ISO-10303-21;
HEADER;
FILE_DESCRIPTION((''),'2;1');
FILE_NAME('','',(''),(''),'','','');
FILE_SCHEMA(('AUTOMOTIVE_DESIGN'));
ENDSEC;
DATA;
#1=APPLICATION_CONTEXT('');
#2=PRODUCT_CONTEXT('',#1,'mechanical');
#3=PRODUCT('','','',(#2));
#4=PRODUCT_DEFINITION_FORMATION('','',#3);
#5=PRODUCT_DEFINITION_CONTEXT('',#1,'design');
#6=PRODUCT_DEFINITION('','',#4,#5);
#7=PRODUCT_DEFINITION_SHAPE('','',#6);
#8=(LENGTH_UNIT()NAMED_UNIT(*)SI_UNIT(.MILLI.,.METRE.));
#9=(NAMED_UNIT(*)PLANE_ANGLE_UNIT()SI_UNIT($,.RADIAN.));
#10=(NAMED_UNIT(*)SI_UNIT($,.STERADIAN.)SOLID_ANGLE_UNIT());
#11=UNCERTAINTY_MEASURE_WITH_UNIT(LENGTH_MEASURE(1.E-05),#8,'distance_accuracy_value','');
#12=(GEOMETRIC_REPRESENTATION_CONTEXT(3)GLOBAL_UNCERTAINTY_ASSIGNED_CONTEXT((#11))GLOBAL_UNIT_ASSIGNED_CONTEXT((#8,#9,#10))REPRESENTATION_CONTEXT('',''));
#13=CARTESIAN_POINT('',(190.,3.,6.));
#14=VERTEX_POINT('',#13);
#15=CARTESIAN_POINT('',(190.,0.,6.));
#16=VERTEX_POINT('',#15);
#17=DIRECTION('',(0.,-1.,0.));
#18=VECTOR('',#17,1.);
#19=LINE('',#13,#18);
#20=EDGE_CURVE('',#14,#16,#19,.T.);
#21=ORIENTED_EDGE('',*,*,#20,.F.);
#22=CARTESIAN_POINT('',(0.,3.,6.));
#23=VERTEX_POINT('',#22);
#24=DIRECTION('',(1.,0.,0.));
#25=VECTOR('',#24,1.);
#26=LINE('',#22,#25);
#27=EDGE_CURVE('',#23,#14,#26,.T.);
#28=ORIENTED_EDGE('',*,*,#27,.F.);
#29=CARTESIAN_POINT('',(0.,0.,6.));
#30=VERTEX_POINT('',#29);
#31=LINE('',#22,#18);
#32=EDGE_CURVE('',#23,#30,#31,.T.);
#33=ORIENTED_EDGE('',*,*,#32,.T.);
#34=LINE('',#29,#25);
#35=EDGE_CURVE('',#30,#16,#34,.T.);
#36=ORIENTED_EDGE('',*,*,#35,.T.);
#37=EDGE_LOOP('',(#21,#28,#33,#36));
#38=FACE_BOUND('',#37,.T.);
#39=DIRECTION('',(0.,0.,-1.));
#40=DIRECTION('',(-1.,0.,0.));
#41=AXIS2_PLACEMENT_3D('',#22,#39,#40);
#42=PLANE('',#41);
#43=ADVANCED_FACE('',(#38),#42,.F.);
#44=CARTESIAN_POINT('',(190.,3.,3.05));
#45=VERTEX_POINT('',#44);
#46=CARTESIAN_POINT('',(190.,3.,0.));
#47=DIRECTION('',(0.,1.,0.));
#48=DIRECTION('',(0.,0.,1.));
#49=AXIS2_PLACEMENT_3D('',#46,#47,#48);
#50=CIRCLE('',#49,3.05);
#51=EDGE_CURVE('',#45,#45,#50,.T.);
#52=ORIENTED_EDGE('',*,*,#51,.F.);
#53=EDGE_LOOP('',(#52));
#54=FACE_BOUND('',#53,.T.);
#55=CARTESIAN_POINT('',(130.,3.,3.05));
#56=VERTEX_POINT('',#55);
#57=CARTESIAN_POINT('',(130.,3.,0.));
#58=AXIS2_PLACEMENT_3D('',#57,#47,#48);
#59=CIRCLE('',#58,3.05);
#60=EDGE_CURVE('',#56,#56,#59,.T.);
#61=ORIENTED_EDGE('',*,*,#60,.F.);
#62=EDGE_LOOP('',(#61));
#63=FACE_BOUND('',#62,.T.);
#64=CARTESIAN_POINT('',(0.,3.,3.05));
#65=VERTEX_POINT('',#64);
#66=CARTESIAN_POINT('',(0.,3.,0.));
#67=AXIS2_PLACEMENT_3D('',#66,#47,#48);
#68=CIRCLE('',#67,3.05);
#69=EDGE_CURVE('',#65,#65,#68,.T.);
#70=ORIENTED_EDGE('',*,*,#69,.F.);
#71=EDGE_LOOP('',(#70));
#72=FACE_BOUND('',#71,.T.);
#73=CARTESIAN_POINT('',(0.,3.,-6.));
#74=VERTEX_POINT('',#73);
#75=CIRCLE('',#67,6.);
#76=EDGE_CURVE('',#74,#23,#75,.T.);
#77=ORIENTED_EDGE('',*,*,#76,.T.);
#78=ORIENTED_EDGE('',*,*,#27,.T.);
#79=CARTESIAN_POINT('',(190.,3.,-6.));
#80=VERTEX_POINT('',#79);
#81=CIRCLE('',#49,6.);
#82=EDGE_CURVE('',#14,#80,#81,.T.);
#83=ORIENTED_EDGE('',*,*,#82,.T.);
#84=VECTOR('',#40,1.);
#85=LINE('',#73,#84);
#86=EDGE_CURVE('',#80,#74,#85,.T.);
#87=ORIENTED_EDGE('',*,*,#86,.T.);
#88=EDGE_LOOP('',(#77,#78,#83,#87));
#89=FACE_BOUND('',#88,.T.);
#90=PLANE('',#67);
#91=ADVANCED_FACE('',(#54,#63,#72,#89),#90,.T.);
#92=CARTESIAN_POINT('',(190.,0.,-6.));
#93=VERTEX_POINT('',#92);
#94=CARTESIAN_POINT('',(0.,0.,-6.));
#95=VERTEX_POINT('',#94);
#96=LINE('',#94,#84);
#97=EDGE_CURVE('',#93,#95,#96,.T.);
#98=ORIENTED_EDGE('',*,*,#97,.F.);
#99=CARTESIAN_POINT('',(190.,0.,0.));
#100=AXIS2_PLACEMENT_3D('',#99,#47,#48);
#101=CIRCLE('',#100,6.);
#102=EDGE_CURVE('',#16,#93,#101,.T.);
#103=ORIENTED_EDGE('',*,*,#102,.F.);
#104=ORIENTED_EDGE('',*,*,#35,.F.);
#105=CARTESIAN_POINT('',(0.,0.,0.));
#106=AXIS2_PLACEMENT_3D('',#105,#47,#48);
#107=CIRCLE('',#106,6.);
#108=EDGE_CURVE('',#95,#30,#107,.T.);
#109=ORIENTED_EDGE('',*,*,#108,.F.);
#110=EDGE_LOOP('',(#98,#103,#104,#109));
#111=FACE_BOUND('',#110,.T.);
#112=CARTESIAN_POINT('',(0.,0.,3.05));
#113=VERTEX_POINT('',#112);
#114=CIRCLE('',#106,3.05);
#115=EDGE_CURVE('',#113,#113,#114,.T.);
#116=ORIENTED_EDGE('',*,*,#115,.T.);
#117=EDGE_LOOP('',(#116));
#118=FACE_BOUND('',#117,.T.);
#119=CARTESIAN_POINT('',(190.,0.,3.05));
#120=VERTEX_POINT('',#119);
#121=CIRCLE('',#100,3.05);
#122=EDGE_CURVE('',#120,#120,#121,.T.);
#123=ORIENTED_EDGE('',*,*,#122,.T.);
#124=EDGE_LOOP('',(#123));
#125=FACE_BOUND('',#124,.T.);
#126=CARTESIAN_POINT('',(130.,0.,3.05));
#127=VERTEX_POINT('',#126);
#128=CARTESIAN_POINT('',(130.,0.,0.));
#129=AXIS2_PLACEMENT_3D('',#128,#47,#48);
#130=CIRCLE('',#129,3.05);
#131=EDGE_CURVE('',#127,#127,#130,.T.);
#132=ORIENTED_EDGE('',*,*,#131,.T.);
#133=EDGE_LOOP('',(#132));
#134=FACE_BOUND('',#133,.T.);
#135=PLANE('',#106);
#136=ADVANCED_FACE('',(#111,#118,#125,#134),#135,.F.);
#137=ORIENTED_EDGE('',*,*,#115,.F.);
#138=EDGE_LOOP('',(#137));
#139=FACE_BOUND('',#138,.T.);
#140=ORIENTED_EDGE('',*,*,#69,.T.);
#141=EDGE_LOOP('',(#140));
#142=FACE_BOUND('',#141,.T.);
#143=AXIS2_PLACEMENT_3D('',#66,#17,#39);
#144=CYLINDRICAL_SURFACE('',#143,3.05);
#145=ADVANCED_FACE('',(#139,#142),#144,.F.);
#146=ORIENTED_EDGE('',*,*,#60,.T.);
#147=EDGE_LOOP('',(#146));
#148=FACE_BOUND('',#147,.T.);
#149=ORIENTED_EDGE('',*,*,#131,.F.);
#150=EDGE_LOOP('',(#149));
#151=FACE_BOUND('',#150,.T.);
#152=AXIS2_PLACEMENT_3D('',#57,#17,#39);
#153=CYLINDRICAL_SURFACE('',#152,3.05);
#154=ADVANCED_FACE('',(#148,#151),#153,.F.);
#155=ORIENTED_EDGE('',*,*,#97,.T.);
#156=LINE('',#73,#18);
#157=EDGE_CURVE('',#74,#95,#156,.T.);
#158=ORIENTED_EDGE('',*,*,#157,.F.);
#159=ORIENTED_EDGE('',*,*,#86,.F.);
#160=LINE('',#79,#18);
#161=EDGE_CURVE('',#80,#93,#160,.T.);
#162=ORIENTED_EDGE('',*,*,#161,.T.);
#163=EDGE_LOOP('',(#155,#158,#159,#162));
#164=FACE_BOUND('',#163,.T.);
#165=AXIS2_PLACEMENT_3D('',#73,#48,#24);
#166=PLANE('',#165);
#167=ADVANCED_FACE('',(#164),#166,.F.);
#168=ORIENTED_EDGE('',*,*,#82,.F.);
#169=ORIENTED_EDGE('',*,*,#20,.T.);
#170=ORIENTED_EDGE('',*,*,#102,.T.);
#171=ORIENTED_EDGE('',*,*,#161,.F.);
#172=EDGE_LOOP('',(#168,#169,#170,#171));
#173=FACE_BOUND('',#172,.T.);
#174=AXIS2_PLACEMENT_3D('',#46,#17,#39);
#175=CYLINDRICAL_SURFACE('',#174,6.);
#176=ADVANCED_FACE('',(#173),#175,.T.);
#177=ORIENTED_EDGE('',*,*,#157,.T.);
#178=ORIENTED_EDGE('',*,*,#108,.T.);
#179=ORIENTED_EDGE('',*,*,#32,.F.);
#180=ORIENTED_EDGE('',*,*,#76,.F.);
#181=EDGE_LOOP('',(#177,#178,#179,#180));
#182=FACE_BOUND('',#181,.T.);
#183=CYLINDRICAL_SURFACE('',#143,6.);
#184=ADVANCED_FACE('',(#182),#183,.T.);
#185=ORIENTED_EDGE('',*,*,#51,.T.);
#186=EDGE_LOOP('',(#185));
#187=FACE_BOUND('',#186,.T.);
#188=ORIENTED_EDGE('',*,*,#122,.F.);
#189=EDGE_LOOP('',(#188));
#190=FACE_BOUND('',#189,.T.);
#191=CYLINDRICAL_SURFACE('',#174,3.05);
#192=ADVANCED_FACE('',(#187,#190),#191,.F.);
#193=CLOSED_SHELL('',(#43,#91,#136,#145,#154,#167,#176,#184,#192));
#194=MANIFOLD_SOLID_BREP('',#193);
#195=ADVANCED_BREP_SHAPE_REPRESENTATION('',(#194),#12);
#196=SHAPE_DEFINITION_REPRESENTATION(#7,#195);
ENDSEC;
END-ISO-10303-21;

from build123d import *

# Parameters (mm, degrees)
SKETCH1_R           = 3.05
BOSS_EXTRUDE1_DEPTH = 3


with BuildPart() as part:
    # Sketch1 → Boss-Extrude1 (new body)
    with BuildSketch(Plane(origin=(0, 0, 0), x_dir=(1, 0, 0), z_dir=(0, 1, 0))):
        with BuildLine():
            Line((0, 6), (190, 6))
            ThreePointArc((190, 6), (196, 0), (190, -6))
            Line((190, -6), (0, -6))
            ThreePointArc((0, -6), (-6, 0), (0, 6))
        make_face()
        with Locations(Location((0, 0, 0), (0, 0, 270))):
            Circle(SKETCH1_R, mode=Mode.SUBTRACT)
        with Locations(Location((130, 0, 0), (0, 0, 270))):
            Circle(SKETCH1_R, mode=Mode.SUBTRACT)
        with Locations(Location((190, 0, 0), (0, 0, 270))):
            Circle(SKETCH1_R, mode=Mode.SUBTRACT)
    extrude(amount=BOSS_EXTRUDE1_DEPTH)


solid = part.part
